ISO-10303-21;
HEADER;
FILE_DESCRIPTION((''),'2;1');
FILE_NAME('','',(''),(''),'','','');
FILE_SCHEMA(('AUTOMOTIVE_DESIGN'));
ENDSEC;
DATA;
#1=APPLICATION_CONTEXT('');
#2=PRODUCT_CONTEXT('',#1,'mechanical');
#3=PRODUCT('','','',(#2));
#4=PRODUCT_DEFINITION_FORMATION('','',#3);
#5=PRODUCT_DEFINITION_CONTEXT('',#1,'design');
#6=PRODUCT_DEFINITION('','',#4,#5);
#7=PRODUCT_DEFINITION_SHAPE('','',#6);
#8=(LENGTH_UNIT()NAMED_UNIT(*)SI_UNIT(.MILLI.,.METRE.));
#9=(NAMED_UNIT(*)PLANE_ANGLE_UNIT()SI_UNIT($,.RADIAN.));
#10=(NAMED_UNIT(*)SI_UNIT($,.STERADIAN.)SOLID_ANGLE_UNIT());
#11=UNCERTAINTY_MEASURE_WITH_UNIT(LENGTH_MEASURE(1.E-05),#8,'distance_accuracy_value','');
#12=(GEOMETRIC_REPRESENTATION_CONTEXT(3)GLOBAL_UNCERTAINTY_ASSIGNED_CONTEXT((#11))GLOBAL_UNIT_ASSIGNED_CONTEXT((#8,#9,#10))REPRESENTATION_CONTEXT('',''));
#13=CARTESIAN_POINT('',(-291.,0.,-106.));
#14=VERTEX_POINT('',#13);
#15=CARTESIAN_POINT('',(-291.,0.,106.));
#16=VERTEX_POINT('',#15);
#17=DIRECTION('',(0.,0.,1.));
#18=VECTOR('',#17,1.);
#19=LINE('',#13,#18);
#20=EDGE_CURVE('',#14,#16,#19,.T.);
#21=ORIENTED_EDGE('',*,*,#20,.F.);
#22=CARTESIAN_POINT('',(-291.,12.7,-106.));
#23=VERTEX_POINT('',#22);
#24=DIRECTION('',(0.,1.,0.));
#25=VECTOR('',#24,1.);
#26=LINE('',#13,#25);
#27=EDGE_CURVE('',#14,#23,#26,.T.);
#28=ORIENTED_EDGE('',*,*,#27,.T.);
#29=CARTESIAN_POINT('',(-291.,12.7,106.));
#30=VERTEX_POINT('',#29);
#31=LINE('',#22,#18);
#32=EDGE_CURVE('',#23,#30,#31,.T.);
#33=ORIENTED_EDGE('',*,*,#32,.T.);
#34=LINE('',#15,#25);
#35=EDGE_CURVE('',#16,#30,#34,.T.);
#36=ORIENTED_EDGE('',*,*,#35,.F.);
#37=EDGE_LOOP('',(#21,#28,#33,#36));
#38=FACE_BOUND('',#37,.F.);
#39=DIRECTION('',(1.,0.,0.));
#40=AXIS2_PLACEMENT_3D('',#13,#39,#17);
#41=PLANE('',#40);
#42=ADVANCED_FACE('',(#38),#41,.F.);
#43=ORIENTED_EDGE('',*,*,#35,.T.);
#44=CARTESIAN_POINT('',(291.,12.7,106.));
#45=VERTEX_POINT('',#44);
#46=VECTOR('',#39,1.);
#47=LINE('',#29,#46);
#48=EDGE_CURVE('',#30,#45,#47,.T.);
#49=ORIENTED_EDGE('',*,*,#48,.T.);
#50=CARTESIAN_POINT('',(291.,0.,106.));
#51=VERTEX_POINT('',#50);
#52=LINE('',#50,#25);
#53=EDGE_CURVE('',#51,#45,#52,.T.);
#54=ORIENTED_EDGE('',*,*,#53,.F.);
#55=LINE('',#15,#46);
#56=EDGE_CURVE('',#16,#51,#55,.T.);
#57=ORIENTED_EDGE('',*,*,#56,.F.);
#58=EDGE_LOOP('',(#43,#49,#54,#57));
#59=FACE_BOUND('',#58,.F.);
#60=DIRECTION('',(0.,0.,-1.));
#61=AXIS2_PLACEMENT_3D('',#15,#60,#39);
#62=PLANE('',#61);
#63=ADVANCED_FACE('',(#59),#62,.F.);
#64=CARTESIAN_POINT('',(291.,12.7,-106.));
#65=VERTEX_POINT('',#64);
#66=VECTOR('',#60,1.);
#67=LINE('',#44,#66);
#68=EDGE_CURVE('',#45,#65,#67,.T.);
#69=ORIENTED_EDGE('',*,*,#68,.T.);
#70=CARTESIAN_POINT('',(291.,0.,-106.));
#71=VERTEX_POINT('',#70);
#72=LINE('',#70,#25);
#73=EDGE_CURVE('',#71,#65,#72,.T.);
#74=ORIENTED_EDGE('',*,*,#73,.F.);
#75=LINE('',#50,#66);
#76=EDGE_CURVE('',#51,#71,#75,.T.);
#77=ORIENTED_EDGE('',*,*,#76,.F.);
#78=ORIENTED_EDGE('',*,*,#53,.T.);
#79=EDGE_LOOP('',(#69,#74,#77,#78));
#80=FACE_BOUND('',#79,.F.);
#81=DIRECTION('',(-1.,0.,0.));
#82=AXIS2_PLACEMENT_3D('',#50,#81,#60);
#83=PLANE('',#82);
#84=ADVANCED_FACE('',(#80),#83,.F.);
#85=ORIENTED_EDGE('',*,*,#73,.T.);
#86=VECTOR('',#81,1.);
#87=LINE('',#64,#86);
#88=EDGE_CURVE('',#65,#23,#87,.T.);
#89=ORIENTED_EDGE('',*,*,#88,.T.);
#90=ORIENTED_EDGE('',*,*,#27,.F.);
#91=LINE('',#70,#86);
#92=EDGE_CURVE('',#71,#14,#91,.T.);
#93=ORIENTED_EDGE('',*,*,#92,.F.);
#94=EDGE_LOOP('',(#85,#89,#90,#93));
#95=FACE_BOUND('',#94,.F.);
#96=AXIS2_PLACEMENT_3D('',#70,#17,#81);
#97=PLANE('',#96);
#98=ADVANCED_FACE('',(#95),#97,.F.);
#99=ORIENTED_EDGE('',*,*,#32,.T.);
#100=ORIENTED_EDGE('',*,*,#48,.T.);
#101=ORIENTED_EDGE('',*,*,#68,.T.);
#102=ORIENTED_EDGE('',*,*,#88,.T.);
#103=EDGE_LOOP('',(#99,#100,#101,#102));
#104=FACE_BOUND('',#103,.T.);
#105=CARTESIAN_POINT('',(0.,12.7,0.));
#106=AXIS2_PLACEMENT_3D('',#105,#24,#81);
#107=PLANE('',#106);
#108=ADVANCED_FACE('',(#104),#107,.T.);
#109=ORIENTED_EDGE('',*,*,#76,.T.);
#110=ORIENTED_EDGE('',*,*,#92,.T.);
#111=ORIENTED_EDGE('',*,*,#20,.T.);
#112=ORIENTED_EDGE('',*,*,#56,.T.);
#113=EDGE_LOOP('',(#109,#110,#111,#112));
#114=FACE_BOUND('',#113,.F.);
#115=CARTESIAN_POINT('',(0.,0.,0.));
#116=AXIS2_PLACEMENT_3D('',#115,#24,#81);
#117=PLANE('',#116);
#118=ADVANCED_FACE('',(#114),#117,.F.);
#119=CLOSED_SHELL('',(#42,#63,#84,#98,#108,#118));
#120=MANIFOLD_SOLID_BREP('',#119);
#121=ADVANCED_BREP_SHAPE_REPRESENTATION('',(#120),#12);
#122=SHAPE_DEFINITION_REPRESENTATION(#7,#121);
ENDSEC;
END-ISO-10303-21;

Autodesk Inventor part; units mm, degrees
ref_plane "YZ Plane" through (0, 0, 0) normal (1, 0, 0) x (0, 1, 0)
ref_plane "XZ Plane" through (0, 0, 0) normal (0, 1, 0) x (-1, 0, 0)
ref_plane "XY Plane" through (0, 0, 0) normal (0, 0, 1) x (1, 0, 0)
sketch "Sketch1" plane through (0, 0, 0) normal (0, 1, 0) x (-1, 0, 0)
  line L0 (-291, -106) -> (291, -106)
  line L1 (291, -106) -> (291, 106)
  line L2 (291, 106) -> (-291, 106)
  line L3 (-291, 106) -> (-291, -106)
  line L4 (-291, -106) -> (291, 106) construction
  line L5 (291, -106) -> (-291, 106) construction
  point P0 (0, 0)
  dimension "d0" = 582
  dimension "d1" = 212
extrude "Extrusion1" add sketch "Sketch1" along normal blind 12.7
properties part number "Side Insulation 0p5in" material "Thermoplastic Resin"
